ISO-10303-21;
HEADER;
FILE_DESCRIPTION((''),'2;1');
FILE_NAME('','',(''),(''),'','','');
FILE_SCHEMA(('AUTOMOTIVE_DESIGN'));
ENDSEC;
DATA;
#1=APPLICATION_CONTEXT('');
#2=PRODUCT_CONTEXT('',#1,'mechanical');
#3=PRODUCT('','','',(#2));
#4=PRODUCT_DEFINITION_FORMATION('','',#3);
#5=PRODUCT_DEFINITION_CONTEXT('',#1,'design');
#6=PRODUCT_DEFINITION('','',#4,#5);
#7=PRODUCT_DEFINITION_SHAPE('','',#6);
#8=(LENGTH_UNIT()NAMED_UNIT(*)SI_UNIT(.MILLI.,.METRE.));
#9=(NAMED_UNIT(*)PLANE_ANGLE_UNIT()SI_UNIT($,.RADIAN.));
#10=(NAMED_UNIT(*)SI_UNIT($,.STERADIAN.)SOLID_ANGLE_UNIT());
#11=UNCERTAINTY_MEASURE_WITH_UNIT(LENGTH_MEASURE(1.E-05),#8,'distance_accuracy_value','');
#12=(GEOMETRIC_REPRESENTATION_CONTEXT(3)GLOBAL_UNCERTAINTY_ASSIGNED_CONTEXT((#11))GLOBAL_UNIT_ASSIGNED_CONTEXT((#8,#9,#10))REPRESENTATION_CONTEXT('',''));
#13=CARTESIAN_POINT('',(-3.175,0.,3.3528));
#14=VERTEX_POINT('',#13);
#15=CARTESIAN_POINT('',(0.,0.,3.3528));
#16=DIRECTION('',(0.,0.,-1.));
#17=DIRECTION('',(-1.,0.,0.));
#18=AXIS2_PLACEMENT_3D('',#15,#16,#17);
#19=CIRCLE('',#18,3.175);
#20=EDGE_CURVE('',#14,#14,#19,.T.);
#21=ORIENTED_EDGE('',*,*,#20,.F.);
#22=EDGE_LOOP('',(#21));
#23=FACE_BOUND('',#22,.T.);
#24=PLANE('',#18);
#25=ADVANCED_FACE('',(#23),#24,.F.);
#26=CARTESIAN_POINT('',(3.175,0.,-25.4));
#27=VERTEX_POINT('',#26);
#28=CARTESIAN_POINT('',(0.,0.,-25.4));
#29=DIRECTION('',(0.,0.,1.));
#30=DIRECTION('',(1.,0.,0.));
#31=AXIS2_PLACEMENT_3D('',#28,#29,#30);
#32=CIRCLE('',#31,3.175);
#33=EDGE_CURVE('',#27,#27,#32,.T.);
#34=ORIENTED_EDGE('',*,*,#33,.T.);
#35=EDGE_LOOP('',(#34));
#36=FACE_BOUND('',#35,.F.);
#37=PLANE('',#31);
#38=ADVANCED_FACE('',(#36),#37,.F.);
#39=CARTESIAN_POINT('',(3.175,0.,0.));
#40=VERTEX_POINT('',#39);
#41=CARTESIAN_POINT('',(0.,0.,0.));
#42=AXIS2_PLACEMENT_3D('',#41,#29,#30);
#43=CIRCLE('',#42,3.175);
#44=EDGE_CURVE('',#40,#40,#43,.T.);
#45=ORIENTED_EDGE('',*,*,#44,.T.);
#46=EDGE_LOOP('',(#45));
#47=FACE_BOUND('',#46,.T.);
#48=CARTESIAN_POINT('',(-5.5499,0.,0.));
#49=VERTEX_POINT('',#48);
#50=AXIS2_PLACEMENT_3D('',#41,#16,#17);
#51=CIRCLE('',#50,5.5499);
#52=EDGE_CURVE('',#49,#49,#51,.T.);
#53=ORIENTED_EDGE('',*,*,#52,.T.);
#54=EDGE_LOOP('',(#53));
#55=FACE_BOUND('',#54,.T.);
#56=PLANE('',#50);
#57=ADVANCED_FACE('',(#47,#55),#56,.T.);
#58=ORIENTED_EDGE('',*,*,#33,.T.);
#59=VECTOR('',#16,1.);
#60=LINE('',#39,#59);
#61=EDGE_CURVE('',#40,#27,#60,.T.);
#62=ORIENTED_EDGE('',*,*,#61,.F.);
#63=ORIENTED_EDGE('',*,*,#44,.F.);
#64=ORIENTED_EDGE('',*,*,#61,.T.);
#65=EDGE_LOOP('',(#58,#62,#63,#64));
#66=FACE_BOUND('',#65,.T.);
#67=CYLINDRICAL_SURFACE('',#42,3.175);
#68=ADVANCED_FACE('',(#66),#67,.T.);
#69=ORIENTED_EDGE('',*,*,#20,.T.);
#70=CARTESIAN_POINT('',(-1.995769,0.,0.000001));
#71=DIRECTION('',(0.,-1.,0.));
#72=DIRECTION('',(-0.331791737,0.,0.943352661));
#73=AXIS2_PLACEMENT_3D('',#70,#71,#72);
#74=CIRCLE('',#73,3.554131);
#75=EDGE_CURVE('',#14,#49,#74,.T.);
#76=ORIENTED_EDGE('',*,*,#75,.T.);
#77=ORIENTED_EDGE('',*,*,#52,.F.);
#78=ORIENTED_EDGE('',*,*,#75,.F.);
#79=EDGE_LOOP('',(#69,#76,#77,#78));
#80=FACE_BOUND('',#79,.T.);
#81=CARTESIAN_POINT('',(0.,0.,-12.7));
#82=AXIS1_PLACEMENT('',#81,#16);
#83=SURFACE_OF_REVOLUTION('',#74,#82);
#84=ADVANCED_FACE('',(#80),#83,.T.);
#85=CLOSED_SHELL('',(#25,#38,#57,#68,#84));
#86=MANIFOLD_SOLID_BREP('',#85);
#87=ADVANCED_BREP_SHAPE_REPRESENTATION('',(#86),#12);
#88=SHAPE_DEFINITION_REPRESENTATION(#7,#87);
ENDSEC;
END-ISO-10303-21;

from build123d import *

# Parameters (mm, degrees)
F0_R     = 3.175
F1_DEPTH = 25.4


with BuildPart() as f1:
    # F0 (on Top) → F1 (new body)
    with BuildSketch(Plane.XY):
        Circle(F0_R)
    extrude(amount=-F1_DEPTH)

    # F2 (on Front) → F3 (revolve)
    with BuildSketch(Plane.XZ):
        with BuildLine():
            Line((-5.5499, 0), (0, 0))
            Line((0, 0), (0, 3.3528))
            Line((0, 3.3528), (-3.175, 3.3528))
            ThreePointArc((-3.175, 3.3528), (-4.896027, 2.05435), (-5.5499, 0))
        make_face()
    revolve(axis=Axis((0, 0, -12.7), (0, 0, -1)))


solid = f1.part
